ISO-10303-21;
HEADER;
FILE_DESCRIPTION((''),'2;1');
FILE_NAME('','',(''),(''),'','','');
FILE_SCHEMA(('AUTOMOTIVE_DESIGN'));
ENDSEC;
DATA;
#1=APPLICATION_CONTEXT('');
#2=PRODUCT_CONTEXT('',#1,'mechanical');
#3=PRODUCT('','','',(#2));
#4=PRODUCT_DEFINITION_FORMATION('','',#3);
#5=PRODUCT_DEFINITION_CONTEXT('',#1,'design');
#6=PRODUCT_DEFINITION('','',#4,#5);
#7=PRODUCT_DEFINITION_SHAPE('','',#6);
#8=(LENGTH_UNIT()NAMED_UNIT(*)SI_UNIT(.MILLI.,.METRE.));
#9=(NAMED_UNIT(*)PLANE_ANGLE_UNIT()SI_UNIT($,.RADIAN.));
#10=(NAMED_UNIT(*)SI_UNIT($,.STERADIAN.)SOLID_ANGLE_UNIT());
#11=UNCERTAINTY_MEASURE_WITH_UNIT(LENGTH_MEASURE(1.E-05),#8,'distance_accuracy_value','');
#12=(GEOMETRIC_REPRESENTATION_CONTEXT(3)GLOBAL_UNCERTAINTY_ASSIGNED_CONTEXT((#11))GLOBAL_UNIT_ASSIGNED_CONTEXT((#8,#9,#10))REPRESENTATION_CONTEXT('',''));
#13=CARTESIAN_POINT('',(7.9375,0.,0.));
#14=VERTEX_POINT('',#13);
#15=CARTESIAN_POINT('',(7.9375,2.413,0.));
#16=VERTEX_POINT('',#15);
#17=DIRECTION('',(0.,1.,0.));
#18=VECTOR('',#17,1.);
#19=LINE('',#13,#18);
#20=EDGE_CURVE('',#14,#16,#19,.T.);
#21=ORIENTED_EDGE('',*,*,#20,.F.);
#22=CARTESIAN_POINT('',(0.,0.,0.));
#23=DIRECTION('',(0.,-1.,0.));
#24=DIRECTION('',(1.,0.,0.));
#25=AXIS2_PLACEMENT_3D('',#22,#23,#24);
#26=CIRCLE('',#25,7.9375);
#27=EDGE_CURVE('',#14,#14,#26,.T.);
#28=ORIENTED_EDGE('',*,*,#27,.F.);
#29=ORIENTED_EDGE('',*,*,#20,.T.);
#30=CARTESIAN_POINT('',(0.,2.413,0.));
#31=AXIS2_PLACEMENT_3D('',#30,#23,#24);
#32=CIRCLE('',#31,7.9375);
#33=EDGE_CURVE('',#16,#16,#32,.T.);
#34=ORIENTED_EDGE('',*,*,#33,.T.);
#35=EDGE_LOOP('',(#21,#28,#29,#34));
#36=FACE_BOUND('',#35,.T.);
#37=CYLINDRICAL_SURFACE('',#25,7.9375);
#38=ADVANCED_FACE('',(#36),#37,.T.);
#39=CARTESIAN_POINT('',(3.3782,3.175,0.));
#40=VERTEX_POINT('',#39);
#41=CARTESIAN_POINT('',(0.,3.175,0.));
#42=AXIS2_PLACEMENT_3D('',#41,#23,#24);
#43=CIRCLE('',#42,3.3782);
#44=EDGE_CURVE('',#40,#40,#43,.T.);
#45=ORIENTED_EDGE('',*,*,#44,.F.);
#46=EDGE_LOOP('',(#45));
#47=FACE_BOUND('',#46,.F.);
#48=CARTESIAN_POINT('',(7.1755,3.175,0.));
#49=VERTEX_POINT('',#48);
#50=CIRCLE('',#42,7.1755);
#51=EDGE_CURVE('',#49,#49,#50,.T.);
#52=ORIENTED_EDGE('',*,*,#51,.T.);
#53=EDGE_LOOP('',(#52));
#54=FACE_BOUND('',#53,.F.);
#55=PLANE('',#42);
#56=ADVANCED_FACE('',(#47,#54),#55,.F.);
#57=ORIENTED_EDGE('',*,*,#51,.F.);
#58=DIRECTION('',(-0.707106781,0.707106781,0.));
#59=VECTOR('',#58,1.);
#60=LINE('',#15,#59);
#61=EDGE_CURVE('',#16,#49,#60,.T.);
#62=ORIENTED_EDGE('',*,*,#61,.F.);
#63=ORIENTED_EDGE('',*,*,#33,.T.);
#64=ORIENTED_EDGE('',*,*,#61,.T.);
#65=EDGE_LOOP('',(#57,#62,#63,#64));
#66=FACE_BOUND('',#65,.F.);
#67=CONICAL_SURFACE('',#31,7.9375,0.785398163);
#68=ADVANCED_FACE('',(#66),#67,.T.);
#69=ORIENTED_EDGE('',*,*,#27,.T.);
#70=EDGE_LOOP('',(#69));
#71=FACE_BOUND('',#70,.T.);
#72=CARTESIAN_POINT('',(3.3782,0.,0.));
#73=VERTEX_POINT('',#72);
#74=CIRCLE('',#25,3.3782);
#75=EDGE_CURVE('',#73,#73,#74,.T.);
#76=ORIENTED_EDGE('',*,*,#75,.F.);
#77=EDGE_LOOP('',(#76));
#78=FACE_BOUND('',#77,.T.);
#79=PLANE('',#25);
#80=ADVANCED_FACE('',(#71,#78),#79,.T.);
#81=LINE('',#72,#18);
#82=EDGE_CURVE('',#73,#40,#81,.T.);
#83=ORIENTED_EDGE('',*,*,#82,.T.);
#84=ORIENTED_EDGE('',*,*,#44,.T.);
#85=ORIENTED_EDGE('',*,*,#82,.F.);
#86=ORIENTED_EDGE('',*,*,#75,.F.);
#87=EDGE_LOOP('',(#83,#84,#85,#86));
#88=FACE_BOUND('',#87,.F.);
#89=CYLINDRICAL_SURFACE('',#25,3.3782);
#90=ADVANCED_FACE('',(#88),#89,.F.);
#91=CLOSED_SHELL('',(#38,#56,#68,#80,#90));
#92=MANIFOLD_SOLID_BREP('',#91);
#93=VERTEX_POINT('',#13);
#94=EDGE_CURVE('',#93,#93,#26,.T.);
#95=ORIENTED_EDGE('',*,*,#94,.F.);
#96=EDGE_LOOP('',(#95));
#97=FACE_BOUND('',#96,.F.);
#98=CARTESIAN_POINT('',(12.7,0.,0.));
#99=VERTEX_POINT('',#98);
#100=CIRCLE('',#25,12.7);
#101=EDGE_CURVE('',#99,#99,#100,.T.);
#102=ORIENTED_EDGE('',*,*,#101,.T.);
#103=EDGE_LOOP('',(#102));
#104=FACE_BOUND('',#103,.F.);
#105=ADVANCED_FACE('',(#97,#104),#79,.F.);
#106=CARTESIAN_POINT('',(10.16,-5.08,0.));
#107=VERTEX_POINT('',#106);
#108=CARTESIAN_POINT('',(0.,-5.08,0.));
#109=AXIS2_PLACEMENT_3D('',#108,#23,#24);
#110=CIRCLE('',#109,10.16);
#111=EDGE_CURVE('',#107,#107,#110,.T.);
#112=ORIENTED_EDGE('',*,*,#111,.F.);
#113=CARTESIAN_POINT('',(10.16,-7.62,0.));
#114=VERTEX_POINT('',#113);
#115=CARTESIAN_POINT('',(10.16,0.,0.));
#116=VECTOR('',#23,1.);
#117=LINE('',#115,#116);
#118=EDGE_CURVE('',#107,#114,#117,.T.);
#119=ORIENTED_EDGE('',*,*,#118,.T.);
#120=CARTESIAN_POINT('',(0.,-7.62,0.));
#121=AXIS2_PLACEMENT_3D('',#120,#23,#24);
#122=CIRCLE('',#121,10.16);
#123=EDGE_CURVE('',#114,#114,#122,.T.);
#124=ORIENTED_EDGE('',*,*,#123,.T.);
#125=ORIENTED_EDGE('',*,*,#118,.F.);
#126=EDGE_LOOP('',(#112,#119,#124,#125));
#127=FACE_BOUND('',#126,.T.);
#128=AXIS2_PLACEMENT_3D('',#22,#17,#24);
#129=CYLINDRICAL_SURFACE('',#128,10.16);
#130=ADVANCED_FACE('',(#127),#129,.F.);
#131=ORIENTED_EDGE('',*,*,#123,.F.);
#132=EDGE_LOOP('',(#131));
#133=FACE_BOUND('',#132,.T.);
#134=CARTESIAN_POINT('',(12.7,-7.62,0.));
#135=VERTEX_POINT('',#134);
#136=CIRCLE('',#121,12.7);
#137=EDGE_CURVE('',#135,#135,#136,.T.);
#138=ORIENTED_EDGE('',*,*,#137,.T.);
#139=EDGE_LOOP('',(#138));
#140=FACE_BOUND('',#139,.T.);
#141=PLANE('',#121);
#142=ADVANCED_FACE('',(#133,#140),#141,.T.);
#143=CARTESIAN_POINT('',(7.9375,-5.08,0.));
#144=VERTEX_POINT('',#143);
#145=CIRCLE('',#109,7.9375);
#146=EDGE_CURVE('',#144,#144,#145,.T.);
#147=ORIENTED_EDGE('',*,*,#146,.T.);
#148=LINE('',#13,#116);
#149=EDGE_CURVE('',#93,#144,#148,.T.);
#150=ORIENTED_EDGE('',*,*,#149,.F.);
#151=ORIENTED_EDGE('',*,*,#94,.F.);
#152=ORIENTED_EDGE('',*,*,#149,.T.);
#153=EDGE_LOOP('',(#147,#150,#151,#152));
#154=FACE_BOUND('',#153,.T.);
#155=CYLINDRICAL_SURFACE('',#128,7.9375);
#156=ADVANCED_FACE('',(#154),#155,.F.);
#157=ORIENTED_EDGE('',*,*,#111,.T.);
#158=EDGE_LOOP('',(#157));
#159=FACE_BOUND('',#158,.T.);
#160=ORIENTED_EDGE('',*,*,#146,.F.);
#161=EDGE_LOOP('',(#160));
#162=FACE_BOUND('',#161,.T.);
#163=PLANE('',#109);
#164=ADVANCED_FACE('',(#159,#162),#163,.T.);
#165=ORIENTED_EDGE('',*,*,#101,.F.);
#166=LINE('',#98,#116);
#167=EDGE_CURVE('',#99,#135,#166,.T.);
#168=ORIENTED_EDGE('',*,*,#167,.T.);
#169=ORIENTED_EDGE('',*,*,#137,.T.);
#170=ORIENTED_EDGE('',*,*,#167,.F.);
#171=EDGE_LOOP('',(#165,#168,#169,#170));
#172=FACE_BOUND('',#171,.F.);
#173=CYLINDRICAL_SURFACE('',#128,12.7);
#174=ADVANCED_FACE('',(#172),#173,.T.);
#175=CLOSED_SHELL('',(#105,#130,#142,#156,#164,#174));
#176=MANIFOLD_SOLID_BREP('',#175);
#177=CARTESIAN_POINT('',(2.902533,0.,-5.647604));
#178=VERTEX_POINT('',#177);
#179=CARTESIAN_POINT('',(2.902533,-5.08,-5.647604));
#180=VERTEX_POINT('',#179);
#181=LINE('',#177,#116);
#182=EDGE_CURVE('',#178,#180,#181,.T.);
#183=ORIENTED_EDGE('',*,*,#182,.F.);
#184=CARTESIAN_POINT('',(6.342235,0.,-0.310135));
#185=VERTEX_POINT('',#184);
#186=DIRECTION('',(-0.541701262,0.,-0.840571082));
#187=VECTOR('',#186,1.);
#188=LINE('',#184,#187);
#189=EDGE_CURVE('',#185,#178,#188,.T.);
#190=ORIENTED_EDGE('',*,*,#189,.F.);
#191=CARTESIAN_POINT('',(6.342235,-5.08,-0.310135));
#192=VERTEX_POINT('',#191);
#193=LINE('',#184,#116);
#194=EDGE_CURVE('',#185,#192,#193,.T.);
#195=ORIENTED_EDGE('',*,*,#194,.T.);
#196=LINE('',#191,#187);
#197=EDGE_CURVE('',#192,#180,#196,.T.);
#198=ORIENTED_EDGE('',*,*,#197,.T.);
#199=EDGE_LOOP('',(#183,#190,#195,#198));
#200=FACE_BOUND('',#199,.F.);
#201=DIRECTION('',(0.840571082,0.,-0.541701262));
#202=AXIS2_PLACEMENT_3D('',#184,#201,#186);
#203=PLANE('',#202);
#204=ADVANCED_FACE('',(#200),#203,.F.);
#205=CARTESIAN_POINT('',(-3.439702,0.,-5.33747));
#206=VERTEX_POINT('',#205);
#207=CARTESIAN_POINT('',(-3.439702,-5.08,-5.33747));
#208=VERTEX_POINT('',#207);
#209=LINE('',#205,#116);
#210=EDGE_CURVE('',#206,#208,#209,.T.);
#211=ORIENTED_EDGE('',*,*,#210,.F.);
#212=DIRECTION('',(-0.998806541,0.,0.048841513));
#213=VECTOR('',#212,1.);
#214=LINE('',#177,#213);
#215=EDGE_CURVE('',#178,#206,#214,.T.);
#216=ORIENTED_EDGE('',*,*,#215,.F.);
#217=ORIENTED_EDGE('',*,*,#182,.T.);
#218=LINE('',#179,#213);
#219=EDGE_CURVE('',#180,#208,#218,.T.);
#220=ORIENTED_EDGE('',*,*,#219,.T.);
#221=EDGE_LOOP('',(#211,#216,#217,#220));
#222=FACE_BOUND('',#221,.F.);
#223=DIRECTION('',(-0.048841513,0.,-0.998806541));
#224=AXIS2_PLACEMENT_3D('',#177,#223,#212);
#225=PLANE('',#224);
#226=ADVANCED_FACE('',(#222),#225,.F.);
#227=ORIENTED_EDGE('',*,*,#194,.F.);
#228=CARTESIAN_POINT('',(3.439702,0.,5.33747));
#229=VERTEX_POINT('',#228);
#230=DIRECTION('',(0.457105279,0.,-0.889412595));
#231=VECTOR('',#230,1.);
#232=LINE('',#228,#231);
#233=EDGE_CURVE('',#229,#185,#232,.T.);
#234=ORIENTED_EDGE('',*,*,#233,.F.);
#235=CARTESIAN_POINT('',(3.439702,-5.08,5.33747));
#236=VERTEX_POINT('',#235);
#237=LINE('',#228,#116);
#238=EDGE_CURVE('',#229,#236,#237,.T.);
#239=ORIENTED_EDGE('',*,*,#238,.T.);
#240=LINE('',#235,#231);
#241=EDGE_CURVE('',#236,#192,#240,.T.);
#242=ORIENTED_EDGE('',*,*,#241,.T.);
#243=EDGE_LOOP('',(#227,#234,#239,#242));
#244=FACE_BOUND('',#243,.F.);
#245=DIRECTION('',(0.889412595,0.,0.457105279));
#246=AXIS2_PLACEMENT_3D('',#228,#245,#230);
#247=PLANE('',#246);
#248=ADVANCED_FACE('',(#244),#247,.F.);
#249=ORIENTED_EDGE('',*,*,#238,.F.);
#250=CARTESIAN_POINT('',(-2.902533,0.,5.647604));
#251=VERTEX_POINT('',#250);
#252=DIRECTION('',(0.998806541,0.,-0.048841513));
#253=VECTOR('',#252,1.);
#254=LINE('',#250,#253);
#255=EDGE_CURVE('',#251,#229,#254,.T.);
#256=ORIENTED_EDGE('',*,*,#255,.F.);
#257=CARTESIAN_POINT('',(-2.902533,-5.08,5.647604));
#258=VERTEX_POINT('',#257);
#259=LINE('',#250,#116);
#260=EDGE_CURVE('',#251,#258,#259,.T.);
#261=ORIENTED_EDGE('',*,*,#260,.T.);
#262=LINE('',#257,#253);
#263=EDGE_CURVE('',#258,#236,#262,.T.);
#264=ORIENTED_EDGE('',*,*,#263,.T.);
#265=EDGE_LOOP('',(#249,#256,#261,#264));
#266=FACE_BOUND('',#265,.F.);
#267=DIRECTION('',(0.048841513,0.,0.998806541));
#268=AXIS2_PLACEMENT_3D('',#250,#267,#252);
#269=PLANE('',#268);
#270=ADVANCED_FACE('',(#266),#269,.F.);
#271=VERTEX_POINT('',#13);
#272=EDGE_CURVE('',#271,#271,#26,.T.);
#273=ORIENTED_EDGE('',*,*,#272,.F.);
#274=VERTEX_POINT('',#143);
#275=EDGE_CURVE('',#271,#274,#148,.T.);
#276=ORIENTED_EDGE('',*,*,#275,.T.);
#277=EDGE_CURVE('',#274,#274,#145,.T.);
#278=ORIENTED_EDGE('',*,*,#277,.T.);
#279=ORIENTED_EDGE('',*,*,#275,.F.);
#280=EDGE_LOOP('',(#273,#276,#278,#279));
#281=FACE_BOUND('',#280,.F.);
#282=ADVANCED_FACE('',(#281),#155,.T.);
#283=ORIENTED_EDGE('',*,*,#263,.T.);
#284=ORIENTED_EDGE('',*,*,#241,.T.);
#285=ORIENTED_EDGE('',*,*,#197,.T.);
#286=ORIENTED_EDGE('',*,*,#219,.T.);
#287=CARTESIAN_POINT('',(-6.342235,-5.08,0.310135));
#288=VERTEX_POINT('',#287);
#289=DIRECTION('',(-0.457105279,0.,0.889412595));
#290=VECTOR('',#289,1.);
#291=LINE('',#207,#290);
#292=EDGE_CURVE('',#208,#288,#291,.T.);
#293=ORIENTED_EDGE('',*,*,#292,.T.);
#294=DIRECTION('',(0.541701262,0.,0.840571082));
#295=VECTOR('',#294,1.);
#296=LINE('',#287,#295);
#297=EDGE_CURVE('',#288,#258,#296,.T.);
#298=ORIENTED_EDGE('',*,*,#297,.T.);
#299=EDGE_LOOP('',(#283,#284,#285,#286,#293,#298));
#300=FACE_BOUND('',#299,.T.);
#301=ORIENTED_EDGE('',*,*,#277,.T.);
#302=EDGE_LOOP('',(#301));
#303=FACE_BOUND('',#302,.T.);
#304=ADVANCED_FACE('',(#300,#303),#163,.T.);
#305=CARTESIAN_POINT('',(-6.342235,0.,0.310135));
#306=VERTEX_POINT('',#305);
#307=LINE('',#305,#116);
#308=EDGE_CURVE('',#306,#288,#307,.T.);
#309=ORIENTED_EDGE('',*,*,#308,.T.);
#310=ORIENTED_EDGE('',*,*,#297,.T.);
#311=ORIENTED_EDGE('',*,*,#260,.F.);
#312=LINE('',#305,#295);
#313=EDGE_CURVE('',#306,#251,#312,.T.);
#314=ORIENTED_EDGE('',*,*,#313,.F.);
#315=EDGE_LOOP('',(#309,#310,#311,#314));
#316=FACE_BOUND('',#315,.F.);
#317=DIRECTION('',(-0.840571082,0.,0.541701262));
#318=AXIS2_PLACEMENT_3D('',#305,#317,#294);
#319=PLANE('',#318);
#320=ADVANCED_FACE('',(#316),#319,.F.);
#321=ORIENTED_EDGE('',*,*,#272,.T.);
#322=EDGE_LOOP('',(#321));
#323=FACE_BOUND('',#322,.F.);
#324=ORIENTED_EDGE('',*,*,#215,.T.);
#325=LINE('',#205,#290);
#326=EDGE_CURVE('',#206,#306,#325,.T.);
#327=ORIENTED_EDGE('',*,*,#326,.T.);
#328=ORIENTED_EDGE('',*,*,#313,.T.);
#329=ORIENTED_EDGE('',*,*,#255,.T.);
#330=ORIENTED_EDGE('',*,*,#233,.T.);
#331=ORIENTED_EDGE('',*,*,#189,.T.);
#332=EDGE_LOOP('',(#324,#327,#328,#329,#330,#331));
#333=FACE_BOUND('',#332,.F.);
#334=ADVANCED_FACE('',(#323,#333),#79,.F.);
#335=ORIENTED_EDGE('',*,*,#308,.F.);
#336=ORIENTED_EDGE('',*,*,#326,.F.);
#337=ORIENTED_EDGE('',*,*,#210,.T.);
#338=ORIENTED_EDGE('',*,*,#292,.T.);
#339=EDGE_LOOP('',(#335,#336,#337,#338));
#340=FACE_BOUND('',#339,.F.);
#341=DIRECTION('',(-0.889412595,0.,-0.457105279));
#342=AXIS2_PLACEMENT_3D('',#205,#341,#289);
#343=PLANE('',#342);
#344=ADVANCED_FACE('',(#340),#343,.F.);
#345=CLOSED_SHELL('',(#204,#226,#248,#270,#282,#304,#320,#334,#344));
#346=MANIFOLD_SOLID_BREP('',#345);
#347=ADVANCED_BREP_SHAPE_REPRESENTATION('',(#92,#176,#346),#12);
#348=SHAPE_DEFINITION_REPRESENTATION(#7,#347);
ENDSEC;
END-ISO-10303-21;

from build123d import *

# Parameters (mm, degrees)
F0_R     = 7.9375
F0_R_2   = 3.3782
F1_DEPTH = 3.175
F0_R_3   = 12.7
F0_R_4   = 10.16
F2_DEPTH = 7.62
F3_DEPTH = 5.08
F4_DEPTH = 5.08
F5_SIZE  = 0.762


with BuildPart() as f1:
    # F0 (on Front) → F1 (new body)
    with BuildSketch(Plane.XZ):
        Circle(F0_R)
        Polygon((-3.4397021091, -5.3374697952), (-6.3422354891, 0.3101345103), (-2.90253338, 5.6476043055), (3.4397021091, 5.3374697952), (6.3422354891, -0.3101345103), (2.90253338, -5.6476043055), align=None, mode=Mode.SUBTRACT)
        Polygon((-2.90253338, 5.6476043055), (-6.3422354891, 0.3101345103), (-3.4397021091, -5.3374697952), (2.90253338, -5.6476043055), (6.3422354891, -0.3101345103), (3.4397021091, 5.3374697952), align=None)
        Circle(F0_R_2, mode=Mode.SUBTRACT)
    extrude(amount=-F1_DEPTH)



with BuildPart() as f2:
    # F0 (on Front) → F2 (new body)
    with BuildSketch(Plane.XZ):
        Circle(F0_R_3)
        Circle(F0_R_4, mode=Mode.SUBTRACT)
    extrude(amount=F2_DEPTH)


with BuildPart() as f1_1:
    add(f1.part)

    add(f2.part)  # F3 merges F2
    # F0 (on Front) → F3 (join)
    with BuildSketch(Plane.XZ):
        Circle(F0_R_4)
        Circle(F0_R, mode=Mode.SUBTRACT)
    extrude(amount=F3_DEPTH)

    # F5
    f5_edges = [f1_1.edges().sort_by_distance(p)[0] for p in [
        (-7.9375, 3.175, 0),
    ]]
    chamfer(f5_edges, length=F5_SIZE)


with BuildPart() as f4:
    # F0 (on Front) → F4 (new body)
    with BuildSketch(Plane.XZ):
        Circle(F0_R)
        Polygon((-3.4397021091, -5.3374697952), (-6.3422354891, 0.3101345103), (-2.90253338, 5.6476043055), (3.4397021091, 5.3374697952), (6.3422354891, -0.3101345103), (2.90253338, -5.6476043055), align=None, mode=Mode.SUBTRACT)
    extrude(amount=F4_DEPTH)


solid = Compound([f1_1.part, f4.part])
